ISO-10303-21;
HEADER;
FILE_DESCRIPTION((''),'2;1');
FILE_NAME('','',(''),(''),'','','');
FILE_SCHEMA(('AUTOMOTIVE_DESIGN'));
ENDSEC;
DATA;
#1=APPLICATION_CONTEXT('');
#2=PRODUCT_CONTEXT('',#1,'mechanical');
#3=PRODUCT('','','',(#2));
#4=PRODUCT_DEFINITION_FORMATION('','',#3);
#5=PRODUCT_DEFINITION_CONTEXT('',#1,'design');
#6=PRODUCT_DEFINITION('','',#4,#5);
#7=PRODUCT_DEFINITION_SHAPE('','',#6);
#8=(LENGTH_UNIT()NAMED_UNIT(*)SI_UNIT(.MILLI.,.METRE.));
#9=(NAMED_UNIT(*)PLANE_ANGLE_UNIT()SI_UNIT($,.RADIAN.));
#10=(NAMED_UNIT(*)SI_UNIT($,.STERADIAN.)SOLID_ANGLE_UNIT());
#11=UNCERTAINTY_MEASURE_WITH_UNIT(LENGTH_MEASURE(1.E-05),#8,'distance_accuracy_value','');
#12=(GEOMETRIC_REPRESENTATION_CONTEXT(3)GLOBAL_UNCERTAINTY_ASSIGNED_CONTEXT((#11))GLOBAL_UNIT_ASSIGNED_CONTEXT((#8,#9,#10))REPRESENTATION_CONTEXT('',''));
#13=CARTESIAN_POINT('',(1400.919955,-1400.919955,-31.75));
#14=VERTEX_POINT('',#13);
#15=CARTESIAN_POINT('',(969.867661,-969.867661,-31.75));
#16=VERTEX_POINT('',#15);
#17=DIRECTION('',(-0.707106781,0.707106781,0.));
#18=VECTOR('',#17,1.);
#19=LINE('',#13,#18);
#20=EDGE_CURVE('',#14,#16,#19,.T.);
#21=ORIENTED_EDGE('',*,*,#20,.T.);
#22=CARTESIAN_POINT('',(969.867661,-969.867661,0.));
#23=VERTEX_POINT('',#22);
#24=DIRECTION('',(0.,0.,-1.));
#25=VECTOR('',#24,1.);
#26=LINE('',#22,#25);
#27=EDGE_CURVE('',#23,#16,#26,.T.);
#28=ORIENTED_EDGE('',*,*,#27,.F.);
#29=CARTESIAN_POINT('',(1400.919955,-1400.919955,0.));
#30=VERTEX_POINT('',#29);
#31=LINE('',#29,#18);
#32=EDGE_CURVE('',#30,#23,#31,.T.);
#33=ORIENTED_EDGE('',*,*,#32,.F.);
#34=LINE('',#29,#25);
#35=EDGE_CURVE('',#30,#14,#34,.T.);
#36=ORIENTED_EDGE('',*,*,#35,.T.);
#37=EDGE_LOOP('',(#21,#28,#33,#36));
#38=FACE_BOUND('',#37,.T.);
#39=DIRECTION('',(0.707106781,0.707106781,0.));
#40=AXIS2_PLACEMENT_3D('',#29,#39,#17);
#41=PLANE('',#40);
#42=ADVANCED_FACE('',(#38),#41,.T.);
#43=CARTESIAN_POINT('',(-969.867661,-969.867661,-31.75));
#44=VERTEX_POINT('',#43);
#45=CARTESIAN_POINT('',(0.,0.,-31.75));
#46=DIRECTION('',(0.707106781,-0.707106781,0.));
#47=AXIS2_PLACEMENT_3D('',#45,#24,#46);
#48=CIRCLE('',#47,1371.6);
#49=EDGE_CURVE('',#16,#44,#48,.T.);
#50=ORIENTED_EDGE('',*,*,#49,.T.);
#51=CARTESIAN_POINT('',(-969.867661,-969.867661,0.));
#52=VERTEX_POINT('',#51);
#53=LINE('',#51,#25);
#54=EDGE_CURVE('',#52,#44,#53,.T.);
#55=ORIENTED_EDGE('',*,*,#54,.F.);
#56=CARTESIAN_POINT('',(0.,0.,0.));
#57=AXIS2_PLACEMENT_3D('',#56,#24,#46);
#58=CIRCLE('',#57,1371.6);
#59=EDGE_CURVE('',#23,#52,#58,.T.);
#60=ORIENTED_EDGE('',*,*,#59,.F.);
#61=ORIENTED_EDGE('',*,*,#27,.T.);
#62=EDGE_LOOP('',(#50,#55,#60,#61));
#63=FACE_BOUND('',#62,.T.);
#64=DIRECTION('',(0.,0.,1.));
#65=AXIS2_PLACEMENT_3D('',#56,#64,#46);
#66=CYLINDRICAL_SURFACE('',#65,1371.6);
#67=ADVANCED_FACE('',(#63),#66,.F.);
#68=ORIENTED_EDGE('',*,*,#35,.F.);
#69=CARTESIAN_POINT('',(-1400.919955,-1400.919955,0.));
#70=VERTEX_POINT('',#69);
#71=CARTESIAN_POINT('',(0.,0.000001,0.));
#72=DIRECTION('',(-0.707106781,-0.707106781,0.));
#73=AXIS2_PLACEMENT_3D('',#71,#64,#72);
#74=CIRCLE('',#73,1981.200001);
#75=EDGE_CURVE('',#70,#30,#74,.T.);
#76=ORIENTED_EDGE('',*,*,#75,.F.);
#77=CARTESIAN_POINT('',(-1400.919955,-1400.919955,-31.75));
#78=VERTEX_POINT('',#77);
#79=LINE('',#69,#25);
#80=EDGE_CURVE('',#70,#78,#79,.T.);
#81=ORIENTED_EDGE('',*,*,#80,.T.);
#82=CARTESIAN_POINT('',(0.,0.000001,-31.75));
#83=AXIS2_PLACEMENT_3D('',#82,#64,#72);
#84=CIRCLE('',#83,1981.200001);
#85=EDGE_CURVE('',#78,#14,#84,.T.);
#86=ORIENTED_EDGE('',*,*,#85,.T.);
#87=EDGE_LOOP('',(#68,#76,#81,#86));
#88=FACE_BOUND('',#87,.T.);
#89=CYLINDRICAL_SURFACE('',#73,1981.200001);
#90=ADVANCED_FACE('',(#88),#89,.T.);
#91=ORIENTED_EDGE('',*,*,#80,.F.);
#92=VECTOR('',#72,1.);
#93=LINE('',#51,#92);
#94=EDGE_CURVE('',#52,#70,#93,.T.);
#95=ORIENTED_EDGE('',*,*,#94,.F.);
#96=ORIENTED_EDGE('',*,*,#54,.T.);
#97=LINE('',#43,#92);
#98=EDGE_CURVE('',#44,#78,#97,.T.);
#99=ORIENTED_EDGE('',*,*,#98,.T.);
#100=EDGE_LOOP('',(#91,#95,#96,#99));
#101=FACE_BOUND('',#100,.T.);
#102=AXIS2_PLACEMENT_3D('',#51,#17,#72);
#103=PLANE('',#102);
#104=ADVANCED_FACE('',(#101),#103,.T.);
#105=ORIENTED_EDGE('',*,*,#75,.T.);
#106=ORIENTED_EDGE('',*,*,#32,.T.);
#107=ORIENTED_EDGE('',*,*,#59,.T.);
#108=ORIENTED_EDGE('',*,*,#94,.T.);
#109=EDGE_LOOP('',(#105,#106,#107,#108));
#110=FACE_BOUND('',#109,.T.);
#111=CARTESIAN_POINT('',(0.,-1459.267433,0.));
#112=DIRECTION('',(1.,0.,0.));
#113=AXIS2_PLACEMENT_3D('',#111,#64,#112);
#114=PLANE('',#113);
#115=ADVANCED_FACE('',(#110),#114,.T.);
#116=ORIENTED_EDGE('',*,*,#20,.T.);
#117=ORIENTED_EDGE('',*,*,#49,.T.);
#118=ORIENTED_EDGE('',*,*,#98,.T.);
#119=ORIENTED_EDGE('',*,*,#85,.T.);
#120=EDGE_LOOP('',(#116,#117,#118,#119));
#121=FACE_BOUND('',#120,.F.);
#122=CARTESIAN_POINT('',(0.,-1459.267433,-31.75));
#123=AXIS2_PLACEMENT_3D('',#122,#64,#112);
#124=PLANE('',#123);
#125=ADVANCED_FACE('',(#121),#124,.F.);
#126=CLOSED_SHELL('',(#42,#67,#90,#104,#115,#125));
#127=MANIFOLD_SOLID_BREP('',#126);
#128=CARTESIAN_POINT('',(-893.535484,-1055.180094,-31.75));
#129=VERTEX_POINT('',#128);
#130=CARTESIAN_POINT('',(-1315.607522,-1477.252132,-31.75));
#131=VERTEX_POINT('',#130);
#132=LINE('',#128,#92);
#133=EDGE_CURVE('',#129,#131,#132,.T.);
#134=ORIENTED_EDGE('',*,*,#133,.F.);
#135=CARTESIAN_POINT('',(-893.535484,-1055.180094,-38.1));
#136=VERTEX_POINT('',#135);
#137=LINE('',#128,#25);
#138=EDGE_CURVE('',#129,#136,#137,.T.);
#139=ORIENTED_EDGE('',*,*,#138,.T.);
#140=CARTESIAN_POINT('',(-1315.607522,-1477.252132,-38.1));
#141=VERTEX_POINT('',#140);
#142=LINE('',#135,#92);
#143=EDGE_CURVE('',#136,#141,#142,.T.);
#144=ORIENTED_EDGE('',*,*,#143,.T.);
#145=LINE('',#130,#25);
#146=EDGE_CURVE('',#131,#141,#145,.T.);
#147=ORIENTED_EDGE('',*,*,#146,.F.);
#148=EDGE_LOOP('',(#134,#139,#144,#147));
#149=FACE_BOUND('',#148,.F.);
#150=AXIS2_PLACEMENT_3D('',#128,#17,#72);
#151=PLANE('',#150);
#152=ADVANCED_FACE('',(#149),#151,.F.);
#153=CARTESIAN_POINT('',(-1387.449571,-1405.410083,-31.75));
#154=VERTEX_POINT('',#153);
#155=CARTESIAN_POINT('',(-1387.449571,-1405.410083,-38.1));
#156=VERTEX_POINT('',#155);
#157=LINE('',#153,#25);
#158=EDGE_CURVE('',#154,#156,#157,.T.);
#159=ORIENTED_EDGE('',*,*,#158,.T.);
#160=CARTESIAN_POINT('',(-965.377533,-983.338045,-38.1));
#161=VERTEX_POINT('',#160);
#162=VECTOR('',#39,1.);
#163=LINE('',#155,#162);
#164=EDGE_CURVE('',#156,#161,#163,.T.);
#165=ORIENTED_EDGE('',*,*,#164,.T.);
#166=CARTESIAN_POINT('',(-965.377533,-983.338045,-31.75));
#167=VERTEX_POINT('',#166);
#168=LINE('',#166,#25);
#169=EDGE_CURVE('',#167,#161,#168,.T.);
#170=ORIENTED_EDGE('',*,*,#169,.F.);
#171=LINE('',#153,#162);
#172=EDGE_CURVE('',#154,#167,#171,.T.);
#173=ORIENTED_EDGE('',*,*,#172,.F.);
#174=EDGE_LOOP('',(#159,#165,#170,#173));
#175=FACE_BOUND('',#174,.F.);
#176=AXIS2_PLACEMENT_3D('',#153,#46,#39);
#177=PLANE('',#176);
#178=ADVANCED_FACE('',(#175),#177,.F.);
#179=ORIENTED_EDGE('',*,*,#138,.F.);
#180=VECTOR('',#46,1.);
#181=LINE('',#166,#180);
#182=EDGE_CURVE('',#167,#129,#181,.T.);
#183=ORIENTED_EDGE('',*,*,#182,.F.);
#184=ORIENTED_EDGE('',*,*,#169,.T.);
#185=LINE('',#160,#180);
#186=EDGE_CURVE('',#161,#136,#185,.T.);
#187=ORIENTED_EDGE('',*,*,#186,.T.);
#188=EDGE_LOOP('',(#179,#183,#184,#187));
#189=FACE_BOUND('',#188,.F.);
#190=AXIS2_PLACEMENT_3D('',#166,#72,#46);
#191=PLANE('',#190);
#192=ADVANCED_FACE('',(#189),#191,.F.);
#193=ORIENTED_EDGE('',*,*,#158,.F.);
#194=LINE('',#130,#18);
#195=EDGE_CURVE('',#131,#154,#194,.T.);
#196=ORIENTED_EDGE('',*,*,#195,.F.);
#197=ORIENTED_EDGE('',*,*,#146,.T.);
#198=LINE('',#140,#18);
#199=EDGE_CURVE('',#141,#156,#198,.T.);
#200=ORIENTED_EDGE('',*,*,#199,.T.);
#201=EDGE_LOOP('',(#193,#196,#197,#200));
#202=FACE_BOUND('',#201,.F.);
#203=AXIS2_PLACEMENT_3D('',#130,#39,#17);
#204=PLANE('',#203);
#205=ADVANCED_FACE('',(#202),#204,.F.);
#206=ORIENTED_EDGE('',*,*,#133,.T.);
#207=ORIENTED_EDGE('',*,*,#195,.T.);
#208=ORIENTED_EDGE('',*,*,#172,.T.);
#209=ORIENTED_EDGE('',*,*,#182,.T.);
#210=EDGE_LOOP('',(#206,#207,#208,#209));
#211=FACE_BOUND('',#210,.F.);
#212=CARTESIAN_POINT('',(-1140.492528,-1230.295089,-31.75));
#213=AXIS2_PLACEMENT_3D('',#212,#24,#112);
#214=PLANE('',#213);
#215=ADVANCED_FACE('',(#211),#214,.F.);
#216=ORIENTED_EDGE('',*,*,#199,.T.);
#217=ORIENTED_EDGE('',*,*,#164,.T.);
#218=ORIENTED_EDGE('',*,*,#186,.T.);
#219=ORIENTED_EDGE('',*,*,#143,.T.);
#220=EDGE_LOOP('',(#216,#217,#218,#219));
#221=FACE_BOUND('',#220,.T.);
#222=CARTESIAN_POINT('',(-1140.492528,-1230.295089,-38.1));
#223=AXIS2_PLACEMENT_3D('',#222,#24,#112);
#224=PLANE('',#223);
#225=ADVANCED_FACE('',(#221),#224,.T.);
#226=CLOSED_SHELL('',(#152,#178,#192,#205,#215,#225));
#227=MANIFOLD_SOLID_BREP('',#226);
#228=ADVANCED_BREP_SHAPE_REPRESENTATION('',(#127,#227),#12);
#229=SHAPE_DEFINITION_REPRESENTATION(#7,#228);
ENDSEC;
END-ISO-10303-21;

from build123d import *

# Parameters (mm, degrees)
F1_DEPTH = 31.75
F3_DEPTH = 6.35


with BuildPart() as f1:
    # F0 (on Top) → F1 (new body)
    with BuildSketch(Plane.XY):
        with BuildLine():
            ThreePointArc((969.867661, -969.867661), (0, -1371.6), (-969.867661, -969.867661))
            Line((-969.867661, -969.867661), (-1400.919955, -1400.919955))
            ThreePointArc((-1400.919955, -1400.919955), (0, -1981.2), (1400.919955, -1400.919955))
            Line((1400.919955, -1400.919955), (969.867661, -969.867661))
        make_face()
    extrude(amount=-F1_DEPTH)


with BuildPart() as f3:
    # F2 (on face) → F3 (new body)
    with BuildSketch(Plane(origin=(0, 0, -31.75), x_dir=(1, 0, 0), z_dir=(0, 0, -1))):
        Polygon((-1387.449571, 1405.410083), (-965.377533, 983.338045), (-893.535484, 1055.180094), (-1315.607522, 1477.252132), align=None)
    extrude(amount=F3_DEPTH)


solid = Compound([f1.part, f3.part])
